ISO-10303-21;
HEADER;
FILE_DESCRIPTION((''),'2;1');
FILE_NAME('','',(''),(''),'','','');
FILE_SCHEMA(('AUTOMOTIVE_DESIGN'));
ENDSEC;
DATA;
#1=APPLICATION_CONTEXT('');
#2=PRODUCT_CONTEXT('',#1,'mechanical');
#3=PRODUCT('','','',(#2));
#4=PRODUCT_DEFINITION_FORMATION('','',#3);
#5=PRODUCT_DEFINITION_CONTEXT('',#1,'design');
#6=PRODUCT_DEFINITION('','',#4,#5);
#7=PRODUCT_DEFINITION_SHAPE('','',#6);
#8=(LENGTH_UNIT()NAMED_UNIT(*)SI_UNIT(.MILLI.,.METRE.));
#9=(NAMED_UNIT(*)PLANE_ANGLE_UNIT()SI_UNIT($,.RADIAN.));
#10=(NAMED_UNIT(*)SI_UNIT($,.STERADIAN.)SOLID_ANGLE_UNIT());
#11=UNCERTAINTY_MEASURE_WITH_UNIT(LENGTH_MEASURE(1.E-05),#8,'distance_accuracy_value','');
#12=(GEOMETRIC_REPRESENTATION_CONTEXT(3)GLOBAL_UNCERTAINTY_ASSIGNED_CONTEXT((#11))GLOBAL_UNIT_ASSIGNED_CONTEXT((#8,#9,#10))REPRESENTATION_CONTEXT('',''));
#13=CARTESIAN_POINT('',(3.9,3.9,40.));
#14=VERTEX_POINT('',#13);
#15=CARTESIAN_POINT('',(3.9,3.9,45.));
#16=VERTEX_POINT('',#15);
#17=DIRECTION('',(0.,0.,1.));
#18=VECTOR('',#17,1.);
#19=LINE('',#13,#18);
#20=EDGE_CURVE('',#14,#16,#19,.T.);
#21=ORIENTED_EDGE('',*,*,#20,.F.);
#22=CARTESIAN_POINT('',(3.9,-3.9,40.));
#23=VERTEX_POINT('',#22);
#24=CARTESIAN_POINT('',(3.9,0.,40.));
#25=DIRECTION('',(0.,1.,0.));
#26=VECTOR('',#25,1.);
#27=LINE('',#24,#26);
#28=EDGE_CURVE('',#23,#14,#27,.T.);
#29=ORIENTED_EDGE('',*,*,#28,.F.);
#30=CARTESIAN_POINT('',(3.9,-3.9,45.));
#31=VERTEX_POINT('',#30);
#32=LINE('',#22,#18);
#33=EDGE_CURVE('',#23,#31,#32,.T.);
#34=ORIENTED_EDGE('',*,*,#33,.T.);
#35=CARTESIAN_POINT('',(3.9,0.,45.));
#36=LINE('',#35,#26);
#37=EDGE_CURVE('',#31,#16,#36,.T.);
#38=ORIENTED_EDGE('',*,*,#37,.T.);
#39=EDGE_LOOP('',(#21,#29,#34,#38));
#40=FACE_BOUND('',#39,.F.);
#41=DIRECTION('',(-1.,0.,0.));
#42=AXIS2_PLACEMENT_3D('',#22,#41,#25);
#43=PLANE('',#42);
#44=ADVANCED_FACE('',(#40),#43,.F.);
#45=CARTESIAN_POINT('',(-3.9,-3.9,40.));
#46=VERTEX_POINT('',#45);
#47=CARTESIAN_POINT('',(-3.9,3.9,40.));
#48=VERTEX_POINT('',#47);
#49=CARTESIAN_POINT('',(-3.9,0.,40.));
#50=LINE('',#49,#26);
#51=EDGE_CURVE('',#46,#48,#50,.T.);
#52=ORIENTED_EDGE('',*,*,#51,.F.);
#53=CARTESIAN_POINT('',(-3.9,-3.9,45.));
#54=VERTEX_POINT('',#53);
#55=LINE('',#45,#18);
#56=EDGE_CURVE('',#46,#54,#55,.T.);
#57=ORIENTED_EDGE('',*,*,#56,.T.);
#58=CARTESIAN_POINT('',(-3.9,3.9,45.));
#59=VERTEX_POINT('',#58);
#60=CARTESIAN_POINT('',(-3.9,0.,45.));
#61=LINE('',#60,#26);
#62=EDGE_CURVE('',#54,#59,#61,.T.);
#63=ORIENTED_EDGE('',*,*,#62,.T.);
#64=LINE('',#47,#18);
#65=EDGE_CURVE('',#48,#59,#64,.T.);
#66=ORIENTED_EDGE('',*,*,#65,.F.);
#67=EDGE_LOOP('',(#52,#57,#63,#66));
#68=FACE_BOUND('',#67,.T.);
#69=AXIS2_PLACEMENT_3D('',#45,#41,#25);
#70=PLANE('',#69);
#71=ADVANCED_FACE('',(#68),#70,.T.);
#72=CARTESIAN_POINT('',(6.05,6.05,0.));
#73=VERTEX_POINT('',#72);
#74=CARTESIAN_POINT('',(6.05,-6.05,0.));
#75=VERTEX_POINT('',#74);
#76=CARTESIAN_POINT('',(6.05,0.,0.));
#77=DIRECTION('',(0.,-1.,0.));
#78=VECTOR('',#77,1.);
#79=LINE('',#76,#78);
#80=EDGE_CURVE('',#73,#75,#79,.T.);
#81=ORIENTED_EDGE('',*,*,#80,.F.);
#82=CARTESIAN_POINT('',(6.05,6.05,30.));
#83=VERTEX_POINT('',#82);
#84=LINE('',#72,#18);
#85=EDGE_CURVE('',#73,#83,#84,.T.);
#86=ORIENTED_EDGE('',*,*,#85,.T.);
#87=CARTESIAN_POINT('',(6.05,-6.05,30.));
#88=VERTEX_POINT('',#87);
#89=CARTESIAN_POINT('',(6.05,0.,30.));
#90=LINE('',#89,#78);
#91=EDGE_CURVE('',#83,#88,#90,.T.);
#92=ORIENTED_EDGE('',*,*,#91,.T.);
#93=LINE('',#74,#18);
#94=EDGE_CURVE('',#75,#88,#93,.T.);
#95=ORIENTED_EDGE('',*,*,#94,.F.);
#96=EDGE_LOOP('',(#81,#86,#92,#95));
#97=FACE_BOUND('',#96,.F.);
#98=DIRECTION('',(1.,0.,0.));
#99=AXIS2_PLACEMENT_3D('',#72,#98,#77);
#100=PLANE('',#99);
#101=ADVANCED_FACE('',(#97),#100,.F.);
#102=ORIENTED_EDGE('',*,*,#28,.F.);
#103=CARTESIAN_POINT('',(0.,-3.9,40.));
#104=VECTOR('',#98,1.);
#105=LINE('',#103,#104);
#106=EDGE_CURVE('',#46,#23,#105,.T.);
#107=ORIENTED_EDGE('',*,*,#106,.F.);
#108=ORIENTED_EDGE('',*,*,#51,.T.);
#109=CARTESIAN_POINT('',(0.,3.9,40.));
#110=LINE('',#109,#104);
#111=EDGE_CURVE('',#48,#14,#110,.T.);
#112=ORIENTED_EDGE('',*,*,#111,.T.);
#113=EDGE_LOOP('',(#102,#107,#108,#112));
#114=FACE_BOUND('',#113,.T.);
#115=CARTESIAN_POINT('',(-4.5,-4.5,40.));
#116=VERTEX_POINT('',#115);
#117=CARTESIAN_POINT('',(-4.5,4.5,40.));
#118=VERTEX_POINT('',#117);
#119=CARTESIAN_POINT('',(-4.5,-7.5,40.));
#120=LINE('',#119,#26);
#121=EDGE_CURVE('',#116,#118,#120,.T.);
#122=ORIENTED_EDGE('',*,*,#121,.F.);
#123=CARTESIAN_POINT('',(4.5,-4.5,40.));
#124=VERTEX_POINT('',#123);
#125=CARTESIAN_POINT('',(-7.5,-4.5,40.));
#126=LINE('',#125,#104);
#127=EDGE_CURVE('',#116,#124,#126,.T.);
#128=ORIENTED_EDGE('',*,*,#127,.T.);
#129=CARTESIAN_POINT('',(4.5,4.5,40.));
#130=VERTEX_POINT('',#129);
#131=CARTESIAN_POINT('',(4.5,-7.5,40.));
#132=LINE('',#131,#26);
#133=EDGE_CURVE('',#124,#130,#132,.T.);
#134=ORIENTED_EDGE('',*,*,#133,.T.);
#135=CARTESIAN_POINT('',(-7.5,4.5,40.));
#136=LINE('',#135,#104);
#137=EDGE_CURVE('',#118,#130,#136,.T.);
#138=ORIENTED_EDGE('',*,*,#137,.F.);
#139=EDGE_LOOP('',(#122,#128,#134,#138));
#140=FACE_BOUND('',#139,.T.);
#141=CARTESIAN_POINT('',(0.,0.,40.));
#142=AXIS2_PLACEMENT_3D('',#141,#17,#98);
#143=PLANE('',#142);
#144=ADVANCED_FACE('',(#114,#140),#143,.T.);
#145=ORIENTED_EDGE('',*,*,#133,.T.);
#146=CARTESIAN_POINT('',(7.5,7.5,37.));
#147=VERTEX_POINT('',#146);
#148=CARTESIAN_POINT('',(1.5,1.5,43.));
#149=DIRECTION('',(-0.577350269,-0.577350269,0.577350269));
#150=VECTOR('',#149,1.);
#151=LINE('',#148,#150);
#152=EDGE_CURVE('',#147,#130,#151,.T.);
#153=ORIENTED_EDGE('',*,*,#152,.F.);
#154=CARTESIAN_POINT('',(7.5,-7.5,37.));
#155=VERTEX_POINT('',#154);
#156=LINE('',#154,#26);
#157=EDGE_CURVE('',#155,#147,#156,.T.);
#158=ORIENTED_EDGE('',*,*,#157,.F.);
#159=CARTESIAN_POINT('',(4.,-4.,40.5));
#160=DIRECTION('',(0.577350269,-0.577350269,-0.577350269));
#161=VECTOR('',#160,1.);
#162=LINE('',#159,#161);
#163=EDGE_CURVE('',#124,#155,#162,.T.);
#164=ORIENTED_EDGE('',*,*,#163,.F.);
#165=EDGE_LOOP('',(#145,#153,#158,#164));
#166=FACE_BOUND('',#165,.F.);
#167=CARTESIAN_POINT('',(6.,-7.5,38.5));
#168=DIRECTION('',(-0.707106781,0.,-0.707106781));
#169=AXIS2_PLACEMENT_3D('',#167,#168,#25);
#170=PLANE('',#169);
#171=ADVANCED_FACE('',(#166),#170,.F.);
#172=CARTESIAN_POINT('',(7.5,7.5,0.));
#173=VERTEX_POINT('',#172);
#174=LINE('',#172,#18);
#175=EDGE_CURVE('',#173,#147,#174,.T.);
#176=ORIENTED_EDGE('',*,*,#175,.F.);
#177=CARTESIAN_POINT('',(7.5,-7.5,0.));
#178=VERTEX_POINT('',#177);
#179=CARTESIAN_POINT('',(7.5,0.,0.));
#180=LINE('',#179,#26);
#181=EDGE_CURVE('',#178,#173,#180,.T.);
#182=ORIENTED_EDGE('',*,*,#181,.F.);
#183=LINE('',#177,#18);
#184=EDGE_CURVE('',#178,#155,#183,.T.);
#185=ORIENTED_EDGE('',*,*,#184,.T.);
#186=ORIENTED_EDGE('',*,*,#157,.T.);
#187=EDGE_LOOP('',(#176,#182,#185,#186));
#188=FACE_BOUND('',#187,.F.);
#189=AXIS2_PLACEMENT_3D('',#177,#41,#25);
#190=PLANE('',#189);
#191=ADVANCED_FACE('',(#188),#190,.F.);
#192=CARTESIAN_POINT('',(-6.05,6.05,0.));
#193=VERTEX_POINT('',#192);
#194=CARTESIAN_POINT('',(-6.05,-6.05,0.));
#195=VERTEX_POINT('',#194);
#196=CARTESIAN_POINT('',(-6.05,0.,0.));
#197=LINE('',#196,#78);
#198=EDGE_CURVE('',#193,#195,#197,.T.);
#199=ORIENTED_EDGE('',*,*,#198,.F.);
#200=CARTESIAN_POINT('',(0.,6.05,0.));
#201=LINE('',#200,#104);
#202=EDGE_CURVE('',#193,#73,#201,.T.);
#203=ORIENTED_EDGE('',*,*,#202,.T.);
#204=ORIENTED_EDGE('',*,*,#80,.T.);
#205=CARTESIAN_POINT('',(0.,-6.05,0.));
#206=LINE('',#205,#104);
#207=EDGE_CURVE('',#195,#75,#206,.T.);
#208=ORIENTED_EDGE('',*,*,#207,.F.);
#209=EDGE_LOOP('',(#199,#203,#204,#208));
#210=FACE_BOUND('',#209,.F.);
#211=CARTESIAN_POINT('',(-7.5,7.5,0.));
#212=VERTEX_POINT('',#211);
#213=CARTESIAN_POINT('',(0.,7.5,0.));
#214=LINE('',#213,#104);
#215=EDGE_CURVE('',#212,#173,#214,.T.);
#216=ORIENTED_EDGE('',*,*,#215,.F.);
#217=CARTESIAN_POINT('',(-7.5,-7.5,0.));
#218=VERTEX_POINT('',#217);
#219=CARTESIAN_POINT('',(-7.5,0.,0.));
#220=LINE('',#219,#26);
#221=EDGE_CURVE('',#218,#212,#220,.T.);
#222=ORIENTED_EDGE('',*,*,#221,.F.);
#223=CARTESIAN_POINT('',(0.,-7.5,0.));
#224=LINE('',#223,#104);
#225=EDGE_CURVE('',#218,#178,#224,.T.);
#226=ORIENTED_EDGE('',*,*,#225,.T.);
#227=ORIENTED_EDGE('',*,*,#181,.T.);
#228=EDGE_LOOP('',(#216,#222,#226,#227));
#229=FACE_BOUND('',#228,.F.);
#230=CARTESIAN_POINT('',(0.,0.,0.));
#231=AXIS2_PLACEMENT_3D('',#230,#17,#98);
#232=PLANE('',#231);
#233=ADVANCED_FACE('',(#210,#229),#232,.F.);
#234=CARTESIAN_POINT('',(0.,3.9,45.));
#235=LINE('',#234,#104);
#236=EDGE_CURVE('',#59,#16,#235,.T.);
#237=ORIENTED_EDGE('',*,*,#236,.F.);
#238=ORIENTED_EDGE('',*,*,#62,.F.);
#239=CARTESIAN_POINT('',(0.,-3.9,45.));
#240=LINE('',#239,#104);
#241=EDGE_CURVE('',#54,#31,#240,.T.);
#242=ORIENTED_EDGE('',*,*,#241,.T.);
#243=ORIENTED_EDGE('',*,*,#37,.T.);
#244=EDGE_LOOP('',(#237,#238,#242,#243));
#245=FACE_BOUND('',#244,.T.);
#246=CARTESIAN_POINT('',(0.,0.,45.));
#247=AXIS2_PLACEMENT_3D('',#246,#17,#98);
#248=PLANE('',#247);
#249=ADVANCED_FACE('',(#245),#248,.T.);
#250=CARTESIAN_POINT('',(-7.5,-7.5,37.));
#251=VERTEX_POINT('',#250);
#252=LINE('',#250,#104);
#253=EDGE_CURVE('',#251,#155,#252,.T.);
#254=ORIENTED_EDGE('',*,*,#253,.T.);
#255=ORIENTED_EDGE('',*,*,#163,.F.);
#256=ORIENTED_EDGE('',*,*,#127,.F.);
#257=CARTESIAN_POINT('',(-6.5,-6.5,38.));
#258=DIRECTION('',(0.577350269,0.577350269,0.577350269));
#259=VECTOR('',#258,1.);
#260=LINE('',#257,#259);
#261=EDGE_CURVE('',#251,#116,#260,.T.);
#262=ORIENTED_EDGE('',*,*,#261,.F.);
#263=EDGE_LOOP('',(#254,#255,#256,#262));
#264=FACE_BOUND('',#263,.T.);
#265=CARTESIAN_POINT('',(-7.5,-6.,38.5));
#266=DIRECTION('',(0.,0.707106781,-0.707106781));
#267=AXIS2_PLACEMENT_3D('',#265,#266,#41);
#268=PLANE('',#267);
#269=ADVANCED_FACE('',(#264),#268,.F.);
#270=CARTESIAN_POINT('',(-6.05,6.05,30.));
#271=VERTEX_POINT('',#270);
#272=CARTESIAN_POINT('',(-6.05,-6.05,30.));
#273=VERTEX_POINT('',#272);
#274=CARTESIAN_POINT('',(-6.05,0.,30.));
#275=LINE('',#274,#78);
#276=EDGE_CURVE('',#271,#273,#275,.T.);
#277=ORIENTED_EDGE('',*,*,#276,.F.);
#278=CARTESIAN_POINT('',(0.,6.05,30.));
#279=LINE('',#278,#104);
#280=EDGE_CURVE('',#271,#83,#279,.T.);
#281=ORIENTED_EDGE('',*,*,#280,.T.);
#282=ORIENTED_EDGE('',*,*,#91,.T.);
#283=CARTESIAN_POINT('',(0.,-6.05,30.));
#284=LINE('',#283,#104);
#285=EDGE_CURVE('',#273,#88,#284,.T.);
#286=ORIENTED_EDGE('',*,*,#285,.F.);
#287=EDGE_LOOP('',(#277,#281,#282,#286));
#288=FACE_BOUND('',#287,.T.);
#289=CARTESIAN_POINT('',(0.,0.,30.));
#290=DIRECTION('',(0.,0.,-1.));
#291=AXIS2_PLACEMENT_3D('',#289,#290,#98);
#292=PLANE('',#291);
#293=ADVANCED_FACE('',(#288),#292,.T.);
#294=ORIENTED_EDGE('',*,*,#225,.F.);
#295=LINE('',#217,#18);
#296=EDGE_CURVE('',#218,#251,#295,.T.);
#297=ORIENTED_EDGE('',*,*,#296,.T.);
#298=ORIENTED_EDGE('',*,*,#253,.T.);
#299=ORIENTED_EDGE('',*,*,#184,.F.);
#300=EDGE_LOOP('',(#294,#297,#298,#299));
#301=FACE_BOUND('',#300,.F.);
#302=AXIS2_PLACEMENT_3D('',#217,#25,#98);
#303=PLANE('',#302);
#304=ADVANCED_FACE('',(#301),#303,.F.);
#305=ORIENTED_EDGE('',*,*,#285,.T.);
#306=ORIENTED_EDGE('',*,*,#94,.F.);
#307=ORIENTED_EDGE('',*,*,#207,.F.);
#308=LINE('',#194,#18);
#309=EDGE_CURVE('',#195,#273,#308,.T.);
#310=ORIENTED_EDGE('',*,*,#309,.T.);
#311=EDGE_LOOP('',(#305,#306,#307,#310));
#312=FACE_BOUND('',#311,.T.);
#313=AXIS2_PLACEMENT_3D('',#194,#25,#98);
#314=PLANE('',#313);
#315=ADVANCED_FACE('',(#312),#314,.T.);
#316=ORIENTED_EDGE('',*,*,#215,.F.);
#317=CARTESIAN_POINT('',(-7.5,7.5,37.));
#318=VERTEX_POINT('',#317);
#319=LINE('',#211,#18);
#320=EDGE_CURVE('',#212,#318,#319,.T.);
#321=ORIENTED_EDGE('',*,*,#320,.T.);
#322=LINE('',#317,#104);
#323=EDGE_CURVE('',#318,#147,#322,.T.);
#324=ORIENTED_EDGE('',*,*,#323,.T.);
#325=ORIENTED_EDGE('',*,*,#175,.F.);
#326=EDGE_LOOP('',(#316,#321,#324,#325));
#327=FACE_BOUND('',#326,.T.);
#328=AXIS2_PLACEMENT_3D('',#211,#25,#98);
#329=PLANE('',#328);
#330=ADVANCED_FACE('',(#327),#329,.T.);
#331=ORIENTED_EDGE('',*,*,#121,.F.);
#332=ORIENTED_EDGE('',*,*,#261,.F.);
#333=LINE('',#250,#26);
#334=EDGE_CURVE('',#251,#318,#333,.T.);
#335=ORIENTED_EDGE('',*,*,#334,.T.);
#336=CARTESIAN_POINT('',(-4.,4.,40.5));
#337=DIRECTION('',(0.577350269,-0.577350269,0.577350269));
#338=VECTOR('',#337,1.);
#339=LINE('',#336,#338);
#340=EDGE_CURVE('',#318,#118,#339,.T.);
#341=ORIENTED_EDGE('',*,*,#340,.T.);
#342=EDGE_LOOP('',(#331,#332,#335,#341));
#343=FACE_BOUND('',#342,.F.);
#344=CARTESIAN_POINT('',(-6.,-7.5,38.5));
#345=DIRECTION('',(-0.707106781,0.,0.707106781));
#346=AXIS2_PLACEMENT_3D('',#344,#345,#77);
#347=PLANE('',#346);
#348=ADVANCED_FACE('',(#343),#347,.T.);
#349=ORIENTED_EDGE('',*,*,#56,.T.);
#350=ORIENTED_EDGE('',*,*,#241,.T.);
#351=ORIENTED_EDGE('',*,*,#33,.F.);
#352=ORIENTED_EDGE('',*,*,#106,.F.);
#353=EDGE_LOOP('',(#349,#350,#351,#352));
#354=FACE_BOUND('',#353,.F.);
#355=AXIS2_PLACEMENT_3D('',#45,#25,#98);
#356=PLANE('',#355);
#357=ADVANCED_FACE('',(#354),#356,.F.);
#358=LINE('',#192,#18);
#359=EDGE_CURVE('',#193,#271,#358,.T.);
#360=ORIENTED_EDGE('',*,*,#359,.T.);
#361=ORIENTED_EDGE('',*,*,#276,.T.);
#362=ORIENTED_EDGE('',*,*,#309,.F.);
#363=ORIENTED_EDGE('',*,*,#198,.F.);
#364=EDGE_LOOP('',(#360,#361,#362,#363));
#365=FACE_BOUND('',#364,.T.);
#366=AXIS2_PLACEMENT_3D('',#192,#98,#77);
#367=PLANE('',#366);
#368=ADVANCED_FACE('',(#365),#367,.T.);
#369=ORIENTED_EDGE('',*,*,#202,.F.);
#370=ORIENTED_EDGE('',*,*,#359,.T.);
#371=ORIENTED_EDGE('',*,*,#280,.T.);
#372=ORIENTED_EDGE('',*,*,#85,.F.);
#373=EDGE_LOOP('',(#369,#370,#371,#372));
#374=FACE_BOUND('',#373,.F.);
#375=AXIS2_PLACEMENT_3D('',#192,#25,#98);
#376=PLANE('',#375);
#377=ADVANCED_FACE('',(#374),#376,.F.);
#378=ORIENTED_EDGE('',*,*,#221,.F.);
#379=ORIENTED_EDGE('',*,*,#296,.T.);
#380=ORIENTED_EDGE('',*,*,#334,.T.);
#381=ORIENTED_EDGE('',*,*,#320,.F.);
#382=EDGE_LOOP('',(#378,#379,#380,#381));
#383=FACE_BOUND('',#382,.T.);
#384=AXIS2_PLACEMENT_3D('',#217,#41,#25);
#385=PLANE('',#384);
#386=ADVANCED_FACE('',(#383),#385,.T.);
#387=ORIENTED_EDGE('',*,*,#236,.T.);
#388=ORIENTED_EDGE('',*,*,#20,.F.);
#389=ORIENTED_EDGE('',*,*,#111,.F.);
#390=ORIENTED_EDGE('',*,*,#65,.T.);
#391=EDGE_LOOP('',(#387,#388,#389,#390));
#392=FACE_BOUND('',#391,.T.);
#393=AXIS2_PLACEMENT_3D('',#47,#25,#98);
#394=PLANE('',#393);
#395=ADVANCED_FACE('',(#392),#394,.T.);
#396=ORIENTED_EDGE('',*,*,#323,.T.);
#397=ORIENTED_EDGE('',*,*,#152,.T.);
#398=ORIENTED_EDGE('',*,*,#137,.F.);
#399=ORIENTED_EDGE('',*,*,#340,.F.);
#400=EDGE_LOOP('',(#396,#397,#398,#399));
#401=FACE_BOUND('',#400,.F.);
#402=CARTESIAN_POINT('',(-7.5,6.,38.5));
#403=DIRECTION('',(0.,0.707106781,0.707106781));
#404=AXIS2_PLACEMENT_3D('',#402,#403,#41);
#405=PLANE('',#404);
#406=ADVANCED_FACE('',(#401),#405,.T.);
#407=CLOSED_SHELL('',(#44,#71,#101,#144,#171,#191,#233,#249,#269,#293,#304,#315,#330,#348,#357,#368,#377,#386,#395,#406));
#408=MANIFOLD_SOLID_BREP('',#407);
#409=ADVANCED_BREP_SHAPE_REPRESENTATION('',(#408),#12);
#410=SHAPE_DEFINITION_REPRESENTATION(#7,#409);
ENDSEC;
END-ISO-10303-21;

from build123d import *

# Parameters (mm, degrees)
SKETCH_W     = 15
SKETCH_H     = 15
PAD_DEPTH    = 40
SKETCH001_W  = 12.1
SKETCH001_H  = 12.1
POCKET_DEPTH = 30
SKETCH002_W  = 7.8
SKETCH002_H  = 7.8
PAD001_DEPTH = 5
CHAMFER_SIZE = 3


with BuildPart() as part:
    # Sketch → Pad (new body)
    with BuildSketch(Plane.XY):
        Rectangle(SKETCH_W, SKETCH_H)
    extrude(amount=PAD_DEPTH)

    # Sketch001 (on Face5 of Pad) → Pocket (cut)
    with BuildSketch(Plane(origin=(0, 0, 0), x_dir=(1, 0, 0), z_dir=(0, 0, -1))):
        Rectangle(SKETCH001_W, SKETCH001_H)
    extrude(amount=-POCKET_DEPTH, mode=Mode.SUBTRACT)

    # Sketch002 (on Face5 of Pocket) → Pad001 (join)
    with BuildSketch(Plane.XY.offset(40)):
        Rectangle(SKETCH002_W, SKETCH002_H)
    extrude(amount=PAD001_DEPTH)

    # Chamfer
    chamfer_edges = [part.edges().sort_by_distance(p)[0] for p in [
        (-7.5, 0, 40),
        (0, 7.5, 40),
        (7.5, 0, 40),
        (0, -7.5, 40),
    ]]
    chamfer(chamfer_edges, length=CHAMFER_SIZE)


solid = part.part
